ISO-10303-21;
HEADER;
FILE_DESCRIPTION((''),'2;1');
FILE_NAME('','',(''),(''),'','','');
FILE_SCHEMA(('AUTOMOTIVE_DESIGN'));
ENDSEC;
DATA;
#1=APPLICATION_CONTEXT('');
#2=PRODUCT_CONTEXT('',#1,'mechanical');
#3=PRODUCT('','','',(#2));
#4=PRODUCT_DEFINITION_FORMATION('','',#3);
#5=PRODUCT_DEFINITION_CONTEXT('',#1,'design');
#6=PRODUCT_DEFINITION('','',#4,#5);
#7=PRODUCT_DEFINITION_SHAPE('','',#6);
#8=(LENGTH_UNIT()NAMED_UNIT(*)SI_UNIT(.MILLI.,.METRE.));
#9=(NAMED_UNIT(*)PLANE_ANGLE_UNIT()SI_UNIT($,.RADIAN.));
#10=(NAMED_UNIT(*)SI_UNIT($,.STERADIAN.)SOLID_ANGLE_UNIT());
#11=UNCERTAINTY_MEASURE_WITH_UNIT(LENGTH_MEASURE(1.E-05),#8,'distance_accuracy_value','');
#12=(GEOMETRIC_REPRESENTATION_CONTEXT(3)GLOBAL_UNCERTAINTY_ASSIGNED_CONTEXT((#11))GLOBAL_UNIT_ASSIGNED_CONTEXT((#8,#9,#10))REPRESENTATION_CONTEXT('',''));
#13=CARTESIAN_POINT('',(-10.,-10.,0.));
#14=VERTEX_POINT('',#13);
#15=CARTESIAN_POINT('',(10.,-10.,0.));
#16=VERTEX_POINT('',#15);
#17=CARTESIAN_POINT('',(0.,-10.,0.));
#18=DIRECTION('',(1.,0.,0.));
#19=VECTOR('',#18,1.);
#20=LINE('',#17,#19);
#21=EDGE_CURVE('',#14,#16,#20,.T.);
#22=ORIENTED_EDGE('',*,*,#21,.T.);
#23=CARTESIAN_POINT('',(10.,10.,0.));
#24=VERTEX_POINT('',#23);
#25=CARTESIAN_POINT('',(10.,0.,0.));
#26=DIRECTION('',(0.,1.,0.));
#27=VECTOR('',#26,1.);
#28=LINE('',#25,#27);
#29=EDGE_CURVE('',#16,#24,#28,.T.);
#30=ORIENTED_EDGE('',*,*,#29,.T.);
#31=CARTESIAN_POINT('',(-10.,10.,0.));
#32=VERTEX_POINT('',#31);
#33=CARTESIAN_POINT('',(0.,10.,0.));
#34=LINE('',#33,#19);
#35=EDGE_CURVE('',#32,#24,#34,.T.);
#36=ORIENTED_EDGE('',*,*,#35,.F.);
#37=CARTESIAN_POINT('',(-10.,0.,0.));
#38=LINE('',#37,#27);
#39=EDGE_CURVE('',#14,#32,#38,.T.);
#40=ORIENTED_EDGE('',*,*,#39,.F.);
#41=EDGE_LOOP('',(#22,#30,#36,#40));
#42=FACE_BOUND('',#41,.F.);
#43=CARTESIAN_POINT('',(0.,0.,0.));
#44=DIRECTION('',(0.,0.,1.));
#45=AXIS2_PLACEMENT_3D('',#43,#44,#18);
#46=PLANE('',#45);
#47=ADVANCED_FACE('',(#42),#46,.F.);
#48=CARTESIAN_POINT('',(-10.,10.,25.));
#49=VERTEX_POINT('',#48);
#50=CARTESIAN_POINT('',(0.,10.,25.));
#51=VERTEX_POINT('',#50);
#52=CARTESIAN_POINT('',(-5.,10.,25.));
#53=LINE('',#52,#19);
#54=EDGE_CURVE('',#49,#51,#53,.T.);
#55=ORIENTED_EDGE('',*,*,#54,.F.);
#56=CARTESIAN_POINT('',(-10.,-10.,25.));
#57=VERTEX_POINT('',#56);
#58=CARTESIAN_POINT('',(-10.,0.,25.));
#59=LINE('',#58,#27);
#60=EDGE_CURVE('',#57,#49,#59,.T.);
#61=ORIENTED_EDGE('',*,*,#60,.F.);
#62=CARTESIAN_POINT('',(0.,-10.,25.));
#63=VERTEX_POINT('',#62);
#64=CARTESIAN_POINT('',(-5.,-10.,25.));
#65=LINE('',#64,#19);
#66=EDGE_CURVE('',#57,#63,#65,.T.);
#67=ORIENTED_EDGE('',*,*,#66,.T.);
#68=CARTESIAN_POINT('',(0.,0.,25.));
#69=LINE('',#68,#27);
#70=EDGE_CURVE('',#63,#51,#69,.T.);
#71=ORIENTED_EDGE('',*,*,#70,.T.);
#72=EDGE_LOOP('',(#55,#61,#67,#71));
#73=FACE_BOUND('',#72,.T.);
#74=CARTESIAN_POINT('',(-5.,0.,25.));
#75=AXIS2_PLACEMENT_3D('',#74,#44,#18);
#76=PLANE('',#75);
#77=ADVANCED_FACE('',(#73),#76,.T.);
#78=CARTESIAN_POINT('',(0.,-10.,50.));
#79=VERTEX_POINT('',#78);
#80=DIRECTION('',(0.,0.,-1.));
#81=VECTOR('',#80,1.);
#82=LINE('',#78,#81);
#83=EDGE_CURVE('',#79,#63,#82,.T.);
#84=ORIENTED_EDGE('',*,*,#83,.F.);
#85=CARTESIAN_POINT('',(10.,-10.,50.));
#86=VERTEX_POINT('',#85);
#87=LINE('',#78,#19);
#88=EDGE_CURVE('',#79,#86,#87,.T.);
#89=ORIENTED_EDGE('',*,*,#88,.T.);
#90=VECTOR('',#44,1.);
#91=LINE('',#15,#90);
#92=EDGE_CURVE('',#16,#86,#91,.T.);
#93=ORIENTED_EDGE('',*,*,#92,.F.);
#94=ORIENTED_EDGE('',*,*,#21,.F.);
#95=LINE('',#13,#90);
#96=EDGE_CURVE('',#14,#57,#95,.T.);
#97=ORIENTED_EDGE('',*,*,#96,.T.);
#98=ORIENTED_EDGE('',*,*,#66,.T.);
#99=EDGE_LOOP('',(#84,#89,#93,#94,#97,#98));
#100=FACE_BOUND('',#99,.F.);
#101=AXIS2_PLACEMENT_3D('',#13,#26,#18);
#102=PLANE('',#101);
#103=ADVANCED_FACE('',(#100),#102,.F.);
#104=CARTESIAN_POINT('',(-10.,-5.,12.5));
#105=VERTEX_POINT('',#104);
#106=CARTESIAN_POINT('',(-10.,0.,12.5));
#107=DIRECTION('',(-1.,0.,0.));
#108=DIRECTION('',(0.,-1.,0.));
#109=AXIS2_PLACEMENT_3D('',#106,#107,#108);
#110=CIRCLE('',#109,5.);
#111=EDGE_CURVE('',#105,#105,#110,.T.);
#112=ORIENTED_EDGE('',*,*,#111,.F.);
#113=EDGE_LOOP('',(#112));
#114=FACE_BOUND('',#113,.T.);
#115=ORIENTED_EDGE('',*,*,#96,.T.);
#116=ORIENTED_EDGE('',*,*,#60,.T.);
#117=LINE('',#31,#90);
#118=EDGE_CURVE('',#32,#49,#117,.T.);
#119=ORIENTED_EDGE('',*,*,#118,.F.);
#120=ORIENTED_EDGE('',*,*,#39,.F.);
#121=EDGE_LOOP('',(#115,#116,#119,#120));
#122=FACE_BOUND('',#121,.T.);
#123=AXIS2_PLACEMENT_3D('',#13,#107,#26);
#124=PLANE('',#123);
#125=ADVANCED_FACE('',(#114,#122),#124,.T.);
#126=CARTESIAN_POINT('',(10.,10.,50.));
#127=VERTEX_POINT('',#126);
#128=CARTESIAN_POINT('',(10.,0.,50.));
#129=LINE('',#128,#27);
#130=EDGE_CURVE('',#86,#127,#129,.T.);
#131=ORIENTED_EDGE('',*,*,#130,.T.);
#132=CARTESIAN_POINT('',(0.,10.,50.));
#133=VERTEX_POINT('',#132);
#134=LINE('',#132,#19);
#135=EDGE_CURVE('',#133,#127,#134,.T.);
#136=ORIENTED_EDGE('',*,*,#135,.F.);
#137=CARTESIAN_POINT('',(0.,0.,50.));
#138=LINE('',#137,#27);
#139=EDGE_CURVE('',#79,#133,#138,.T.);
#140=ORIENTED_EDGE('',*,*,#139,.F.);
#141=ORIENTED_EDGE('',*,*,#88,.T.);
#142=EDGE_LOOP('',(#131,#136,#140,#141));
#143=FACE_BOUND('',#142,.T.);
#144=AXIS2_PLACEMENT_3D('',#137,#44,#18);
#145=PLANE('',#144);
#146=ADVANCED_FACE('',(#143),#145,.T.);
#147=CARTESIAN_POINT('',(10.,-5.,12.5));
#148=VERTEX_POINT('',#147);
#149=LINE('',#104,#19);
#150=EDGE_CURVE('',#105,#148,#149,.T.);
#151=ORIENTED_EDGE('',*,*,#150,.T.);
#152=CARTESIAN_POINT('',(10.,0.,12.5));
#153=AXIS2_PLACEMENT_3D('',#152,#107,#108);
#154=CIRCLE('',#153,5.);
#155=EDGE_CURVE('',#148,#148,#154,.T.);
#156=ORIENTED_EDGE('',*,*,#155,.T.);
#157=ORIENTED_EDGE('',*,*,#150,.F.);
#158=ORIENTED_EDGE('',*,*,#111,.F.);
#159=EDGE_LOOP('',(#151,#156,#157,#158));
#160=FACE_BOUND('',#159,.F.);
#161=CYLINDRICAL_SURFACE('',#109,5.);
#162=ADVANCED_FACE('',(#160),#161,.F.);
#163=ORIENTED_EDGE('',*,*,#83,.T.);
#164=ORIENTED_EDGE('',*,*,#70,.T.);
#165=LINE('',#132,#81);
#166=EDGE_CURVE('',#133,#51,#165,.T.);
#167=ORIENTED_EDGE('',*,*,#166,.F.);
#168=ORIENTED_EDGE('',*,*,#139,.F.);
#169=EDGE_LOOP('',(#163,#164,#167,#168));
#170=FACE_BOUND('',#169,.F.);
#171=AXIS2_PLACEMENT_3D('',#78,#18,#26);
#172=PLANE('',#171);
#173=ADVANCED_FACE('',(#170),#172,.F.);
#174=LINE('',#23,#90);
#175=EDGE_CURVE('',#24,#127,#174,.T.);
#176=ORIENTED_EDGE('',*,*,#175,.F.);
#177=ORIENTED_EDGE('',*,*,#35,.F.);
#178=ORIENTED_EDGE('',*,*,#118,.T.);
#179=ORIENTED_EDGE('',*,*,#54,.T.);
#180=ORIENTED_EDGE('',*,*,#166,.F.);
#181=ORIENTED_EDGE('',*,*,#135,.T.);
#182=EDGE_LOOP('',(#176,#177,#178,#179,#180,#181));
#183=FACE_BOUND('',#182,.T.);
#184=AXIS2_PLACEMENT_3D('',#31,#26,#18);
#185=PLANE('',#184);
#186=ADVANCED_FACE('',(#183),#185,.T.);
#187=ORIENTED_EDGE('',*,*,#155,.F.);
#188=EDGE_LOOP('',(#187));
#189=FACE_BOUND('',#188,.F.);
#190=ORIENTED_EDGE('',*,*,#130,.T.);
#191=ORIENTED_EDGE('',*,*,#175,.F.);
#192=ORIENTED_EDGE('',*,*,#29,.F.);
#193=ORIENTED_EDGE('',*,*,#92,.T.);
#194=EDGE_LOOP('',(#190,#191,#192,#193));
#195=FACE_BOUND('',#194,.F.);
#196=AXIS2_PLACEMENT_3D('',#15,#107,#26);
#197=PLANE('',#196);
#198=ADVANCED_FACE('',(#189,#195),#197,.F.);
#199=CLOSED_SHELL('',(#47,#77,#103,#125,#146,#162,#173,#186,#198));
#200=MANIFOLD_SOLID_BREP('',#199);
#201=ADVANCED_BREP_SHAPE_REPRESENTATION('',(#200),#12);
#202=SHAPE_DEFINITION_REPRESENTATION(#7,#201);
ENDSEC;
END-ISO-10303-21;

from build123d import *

# Parameters (mm, degrees)
F0_W     = 20
F0_H     = 20
F1_DEPTH = 50
F2_W     = 10
F2_H     = 20
F3_DEPTH = 25
F4_R     = 5
F5_DEPTH = 50


with BuildPart() as f1:
    # F0 (on Top) → F1 (new body)
    with BuildSketch(Plane.XY):
        Rectangle(F0_W, F0_H)
    extrude(amount=F1_DEPTH)

    # F2 (on face) → F3 (cut)
    with BuildSketch(Plane.XY.offset(50)):
        with Locations((-5, 0)):
            Rectangle(F2_W, F2_H)
    extrude(amount=-F3_DEPTH, mode=Mode.SUBTRACT)

    # F4 (on face) → F5 (cut)
    with BuildSketch(Plane(origin=(-10, 0, 0), x_dir=(0, -1, 0), z_dir=(-1, 0, 0))):
        with Locations((0, 12.5)):
            Circle(F4_R)
    extrude(amount=-F5_DEPTH, mode=Mode.SUBTRACT)


solid = f1.part
